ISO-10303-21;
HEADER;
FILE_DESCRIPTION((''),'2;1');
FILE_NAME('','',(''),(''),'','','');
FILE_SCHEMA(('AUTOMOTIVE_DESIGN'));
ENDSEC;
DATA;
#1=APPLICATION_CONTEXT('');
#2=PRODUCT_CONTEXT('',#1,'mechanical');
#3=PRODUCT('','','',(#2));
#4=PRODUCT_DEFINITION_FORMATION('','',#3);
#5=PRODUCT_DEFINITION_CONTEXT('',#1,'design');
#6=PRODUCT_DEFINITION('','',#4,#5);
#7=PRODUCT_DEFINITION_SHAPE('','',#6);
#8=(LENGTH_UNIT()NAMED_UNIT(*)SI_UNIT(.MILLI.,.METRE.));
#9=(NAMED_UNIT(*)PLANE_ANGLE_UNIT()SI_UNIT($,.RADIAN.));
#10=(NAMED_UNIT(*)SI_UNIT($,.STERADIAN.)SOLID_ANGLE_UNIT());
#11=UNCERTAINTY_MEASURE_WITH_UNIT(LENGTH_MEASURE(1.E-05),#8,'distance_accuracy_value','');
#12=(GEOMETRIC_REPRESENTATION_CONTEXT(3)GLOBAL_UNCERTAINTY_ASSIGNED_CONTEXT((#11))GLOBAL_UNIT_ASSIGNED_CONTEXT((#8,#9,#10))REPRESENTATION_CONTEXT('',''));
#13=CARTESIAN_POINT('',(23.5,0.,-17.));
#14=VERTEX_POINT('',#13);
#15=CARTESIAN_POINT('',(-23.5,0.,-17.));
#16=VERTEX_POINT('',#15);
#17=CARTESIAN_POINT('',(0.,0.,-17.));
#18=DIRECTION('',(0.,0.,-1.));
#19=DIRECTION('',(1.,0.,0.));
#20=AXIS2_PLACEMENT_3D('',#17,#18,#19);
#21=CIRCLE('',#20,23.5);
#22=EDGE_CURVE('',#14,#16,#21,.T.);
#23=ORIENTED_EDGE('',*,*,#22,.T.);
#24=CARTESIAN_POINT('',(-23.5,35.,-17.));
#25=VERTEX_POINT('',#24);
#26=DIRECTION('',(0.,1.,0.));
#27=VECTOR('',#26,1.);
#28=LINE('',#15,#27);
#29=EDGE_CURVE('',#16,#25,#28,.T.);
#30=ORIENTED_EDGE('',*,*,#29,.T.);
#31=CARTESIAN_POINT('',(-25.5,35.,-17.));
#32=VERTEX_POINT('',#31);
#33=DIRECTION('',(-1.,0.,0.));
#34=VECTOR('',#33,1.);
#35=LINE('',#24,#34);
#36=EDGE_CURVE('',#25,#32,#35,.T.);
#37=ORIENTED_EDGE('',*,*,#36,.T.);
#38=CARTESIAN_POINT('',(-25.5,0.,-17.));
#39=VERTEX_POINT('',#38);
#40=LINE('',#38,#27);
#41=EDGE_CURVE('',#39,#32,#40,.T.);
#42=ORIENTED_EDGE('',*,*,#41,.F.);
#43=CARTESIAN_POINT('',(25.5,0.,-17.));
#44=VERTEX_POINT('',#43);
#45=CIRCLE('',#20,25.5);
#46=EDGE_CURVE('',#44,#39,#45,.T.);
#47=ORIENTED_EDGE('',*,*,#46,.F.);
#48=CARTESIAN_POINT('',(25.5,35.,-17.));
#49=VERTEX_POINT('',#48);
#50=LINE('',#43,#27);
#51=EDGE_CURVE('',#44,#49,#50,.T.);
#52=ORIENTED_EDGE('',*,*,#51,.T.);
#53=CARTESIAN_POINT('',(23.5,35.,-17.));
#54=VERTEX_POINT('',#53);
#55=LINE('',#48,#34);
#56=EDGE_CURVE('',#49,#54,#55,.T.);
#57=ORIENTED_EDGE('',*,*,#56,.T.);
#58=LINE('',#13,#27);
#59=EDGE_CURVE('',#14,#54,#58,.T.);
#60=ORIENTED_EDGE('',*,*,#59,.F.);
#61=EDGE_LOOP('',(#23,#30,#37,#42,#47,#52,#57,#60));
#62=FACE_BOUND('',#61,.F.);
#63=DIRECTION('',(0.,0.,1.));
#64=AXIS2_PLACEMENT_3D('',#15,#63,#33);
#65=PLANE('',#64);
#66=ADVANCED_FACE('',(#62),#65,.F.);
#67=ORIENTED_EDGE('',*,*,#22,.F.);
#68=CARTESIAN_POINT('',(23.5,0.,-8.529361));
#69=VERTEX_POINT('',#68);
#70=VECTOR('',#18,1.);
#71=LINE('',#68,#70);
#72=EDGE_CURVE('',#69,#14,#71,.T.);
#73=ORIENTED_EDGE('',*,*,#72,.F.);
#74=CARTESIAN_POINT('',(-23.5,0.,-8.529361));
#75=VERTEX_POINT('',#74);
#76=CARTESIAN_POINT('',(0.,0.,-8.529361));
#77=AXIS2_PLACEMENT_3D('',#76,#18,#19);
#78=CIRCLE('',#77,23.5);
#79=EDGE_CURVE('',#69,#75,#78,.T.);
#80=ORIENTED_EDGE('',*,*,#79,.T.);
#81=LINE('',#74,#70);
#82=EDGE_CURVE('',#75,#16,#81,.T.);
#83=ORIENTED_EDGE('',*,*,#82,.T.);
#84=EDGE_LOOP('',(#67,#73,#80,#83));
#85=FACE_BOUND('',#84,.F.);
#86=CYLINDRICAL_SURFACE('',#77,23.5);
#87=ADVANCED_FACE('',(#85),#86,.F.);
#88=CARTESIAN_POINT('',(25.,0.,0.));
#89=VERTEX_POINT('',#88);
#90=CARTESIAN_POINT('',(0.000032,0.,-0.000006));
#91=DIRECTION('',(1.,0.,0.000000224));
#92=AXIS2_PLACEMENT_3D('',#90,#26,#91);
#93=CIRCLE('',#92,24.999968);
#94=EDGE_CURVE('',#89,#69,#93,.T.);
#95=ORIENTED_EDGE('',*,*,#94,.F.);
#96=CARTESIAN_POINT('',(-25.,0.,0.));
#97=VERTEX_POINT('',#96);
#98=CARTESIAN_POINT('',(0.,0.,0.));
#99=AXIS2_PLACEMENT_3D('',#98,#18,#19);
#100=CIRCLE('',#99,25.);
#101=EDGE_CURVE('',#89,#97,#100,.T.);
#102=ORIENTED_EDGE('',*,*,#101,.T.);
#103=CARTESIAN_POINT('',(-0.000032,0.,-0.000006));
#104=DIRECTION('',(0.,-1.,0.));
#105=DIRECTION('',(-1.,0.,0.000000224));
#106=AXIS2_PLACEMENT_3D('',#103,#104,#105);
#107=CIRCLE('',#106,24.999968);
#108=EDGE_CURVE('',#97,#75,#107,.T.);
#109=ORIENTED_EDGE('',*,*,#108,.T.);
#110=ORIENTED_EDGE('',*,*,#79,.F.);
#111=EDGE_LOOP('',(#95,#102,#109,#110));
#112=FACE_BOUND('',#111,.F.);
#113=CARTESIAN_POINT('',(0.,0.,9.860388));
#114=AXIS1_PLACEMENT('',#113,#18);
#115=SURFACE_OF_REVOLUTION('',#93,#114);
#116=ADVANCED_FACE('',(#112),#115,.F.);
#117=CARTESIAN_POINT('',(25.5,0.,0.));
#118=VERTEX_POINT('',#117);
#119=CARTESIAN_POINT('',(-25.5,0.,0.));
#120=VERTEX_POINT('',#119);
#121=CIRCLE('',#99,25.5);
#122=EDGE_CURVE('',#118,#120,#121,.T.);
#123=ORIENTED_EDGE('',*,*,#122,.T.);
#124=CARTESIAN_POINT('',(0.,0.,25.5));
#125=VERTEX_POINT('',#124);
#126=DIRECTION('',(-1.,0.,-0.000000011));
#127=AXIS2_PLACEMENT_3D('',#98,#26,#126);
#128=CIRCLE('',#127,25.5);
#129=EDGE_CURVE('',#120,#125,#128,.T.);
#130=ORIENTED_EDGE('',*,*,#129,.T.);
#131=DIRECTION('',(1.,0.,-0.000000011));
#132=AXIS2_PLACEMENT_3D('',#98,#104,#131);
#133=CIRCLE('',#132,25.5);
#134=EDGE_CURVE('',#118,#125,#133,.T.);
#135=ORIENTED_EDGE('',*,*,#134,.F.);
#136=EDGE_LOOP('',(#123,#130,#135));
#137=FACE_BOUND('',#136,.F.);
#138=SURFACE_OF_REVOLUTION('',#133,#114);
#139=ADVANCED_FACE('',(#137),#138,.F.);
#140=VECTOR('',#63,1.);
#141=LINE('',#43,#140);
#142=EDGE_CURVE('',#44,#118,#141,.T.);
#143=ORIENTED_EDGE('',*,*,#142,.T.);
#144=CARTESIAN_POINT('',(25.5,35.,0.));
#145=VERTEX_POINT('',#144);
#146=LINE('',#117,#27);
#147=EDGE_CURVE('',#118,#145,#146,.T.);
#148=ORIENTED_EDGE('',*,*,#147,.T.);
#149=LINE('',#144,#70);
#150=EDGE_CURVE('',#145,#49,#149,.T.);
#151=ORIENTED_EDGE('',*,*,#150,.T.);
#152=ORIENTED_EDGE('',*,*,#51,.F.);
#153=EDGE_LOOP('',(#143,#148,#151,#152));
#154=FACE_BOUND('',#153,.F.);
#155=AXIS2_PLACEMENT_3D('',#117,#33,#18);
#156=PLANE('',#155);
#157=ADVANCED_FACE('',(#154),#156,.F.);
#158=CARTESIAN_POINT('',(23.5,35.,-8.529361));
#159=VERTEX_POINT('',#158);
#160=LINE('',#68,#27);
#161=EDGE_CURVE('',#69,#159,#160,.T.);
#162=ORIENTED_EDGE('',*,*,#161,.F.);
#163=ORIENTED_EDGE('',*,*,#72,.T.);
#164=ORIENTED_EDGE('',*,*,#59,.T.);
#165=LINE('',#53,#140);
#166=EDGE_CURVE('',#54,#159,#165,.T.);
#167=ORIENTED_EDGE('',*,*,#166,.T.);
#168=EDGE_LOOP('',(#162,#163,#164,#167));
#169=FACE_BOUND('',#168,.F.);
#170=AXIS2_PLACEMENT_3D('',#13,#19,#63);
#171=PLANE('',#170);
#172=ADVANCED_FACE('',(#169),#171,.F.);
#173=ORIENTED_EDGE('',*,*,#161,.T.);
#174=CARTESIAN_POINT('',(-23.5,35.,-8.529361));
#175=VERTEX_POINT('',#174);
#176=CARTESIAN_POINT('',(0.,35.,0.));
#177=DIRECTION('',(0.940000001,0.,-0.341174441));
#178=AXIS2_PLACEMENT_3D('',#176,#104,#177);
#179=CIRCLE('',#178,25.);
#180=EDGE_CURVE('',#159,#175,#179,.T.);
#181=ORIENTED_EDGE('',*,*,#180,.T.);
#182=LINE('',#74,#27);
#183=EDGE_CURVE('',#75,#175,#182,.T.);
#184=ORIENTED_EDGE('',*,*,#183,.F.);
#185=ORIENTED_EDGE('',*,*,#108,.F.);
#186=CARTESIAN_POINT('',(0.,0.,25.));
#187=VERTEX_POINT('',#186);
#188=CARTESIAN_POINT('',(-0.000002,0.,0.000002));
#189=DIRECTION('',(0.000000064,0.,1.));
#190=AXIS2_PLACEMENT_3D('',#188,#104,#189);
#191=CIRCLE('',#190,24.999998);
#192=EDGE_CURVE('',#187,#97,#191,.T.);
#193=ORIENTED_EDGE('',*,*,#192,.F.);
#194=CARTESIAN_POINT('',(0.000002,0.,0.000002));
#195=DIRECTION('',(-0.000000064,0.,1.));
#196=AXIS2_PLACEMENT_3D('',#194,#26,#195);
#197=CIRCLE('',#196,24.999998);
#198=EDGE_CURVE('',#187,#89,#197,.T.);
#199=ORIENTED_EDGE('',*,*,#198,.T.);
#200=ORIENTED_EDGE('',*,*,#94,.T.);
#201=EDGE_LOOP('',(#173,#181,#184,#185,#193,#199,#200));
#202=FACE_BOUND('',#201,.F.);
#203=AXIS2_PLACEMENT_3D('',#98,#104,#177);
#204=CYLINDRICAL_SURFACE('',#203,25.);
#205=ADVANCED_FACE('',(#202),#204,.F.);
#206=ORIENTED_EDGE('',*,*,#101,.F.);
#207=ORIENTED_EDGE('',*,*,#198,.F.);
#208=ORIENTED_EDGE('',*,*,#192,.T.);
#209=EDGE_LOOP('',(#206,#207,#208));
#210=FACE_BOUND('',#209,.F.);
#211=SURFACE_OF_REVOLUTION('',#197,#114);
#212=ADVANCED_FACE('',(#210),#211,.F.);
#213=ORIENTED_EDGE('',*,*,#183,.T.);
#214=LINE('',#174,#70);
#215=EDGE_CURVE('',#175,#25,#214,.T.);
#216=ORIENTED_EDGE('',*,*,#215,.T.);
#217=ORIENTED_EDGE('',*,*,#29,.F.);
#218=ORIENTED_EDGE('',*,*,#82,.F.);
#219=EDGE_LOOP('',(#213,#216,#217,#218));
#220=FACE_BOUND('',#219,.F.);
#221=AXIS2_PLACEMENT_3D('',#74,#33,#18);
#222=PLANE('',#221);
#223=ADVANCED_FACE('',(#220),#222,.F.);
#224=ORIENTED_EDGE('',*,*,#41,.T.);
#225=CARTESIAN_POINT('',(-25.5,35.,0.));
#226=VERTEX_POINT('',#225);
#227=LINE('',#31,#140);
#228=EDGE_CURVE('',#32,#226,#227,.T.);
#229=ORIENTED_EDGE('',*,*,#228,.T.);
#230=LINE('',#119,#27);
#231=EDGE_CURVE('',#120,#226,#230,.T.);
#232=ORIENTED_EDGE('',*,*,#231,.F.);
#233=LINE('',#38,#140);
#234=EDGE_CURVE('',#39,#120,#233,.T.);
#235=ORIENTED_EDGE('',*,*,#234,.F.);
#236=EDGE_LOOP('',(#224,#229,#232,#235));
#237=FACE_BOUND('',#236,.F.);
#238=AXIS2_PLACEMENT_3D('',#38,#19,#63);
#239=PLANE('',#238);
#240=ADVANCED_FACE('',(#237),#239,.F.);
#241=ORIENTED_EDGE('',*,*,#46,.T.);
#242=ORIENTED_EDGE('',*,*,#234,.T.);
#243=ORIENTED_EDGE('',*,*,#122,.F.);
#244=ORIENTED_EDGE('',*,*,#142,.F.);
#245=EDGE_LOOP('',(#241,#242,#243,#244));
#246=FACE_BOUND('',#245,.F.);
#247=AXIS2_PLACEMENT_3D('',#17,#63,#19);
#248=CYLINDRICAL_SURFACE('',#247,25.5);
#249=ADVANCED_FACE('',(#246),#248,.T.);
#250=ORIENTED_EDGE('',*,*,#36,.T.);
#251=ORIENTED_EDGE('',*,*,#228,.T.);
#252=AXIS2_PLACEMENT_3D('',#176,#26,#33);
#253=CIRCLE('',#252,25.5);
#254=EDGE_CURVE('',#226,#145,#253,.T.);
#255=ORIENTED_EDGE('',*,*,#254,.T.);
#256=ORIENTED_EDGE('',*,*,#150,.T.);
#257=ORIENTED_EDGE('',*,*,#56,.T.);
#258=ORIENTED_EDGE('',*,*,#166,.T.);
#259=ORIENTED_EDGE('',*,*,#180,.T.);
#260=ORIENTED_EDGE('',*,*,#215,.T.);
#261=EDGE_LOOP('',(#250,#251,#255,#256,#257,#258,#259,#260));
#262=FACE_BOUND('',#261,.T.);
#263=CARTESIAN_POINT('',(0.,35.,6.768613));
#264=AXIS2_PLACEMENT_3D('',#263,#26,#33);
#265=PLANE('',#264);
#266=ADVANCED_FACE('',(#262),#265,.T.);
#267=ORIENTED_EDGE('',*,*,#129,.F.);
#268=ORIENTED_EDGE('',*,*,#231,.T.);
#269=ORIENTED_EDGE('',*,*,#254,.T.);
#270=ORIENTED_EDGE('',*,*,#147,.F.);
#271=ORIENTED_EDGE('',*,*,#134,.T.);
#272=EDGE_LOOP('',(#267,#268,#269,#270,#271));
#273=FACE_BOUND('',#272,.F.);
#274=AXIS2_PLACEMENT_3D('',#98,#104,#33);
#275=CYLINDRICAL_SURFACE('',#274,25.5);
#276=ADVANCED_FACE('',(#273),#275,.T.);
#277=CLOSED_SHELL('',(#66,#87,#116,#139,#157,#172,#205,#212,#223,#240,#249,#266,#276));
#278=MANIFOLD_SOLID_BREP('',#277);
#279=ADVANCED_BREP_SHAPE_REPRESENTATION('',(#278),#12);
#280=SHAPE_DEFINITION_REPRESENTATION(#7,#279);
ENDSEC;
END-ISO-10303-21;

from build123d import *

# Parameters (mm, degrees)
F1_ANGLE = 180
F3_DEPTH = 35


with BuildPart() as f1:
    # F0 (on Front) → F1 (revolve)
    with BuildSketch(Plane.XZ):
        with BuildLine():
            ThreePointArc((0, 25), (17.67767, 17.67767), (25, 0))
            Line((25, 0), (25.5, 0))
            ThreePointArc((25.5, 0), (18.031223, 18.031223), (0, 25.5))
            Line((0, 25.5), (0, 25))
        make_face()
        with BuildLine():
            Line((25.5, 0), (25, 0))
            ThreePointArc((25, 0), (24.622145, -4.330127), (23.5, -8.529361))
            Line((23.5, -8.529361), (23.5, -17))
            Line((23.5, -17), (25.5, -17))
            Line((25.5, -17), (25.5, 0))
        make_face()
    revolve(axis=Axis((0, 0, 9.860388), (0, 0, -1)), revolution_arc=F1_ANGLE)

    # F2 (on face) → F3 (join)
    with BuildSketch(Plane(origin=(0, 0, 0), x_dir=(-1, 0, 0), z_dir=(0, 1, 0))):
        with BuildLine():
            ThreePointArc((25.5, 0), (0, 25.5), (-25.5, 0))
            Line((-25.5, 0), (-25.5, -17))
            Line((-25.5, -17), (-23.5, -17))
            Line((-23.5, -17), (-23.5, -8.529361))
            ThreePointArc((-23.5, -8.529361), (0, 25), (23.5, -8.529361))
            Line((23.5, -8.529361), (23.5, -17))
            Line((23.5, -17), (25.5, -17))
            Line((25.5, -17), (25.5, 0))
        make_face()
    extrude(amount=F3_DEPTH)


solid = f1.part
